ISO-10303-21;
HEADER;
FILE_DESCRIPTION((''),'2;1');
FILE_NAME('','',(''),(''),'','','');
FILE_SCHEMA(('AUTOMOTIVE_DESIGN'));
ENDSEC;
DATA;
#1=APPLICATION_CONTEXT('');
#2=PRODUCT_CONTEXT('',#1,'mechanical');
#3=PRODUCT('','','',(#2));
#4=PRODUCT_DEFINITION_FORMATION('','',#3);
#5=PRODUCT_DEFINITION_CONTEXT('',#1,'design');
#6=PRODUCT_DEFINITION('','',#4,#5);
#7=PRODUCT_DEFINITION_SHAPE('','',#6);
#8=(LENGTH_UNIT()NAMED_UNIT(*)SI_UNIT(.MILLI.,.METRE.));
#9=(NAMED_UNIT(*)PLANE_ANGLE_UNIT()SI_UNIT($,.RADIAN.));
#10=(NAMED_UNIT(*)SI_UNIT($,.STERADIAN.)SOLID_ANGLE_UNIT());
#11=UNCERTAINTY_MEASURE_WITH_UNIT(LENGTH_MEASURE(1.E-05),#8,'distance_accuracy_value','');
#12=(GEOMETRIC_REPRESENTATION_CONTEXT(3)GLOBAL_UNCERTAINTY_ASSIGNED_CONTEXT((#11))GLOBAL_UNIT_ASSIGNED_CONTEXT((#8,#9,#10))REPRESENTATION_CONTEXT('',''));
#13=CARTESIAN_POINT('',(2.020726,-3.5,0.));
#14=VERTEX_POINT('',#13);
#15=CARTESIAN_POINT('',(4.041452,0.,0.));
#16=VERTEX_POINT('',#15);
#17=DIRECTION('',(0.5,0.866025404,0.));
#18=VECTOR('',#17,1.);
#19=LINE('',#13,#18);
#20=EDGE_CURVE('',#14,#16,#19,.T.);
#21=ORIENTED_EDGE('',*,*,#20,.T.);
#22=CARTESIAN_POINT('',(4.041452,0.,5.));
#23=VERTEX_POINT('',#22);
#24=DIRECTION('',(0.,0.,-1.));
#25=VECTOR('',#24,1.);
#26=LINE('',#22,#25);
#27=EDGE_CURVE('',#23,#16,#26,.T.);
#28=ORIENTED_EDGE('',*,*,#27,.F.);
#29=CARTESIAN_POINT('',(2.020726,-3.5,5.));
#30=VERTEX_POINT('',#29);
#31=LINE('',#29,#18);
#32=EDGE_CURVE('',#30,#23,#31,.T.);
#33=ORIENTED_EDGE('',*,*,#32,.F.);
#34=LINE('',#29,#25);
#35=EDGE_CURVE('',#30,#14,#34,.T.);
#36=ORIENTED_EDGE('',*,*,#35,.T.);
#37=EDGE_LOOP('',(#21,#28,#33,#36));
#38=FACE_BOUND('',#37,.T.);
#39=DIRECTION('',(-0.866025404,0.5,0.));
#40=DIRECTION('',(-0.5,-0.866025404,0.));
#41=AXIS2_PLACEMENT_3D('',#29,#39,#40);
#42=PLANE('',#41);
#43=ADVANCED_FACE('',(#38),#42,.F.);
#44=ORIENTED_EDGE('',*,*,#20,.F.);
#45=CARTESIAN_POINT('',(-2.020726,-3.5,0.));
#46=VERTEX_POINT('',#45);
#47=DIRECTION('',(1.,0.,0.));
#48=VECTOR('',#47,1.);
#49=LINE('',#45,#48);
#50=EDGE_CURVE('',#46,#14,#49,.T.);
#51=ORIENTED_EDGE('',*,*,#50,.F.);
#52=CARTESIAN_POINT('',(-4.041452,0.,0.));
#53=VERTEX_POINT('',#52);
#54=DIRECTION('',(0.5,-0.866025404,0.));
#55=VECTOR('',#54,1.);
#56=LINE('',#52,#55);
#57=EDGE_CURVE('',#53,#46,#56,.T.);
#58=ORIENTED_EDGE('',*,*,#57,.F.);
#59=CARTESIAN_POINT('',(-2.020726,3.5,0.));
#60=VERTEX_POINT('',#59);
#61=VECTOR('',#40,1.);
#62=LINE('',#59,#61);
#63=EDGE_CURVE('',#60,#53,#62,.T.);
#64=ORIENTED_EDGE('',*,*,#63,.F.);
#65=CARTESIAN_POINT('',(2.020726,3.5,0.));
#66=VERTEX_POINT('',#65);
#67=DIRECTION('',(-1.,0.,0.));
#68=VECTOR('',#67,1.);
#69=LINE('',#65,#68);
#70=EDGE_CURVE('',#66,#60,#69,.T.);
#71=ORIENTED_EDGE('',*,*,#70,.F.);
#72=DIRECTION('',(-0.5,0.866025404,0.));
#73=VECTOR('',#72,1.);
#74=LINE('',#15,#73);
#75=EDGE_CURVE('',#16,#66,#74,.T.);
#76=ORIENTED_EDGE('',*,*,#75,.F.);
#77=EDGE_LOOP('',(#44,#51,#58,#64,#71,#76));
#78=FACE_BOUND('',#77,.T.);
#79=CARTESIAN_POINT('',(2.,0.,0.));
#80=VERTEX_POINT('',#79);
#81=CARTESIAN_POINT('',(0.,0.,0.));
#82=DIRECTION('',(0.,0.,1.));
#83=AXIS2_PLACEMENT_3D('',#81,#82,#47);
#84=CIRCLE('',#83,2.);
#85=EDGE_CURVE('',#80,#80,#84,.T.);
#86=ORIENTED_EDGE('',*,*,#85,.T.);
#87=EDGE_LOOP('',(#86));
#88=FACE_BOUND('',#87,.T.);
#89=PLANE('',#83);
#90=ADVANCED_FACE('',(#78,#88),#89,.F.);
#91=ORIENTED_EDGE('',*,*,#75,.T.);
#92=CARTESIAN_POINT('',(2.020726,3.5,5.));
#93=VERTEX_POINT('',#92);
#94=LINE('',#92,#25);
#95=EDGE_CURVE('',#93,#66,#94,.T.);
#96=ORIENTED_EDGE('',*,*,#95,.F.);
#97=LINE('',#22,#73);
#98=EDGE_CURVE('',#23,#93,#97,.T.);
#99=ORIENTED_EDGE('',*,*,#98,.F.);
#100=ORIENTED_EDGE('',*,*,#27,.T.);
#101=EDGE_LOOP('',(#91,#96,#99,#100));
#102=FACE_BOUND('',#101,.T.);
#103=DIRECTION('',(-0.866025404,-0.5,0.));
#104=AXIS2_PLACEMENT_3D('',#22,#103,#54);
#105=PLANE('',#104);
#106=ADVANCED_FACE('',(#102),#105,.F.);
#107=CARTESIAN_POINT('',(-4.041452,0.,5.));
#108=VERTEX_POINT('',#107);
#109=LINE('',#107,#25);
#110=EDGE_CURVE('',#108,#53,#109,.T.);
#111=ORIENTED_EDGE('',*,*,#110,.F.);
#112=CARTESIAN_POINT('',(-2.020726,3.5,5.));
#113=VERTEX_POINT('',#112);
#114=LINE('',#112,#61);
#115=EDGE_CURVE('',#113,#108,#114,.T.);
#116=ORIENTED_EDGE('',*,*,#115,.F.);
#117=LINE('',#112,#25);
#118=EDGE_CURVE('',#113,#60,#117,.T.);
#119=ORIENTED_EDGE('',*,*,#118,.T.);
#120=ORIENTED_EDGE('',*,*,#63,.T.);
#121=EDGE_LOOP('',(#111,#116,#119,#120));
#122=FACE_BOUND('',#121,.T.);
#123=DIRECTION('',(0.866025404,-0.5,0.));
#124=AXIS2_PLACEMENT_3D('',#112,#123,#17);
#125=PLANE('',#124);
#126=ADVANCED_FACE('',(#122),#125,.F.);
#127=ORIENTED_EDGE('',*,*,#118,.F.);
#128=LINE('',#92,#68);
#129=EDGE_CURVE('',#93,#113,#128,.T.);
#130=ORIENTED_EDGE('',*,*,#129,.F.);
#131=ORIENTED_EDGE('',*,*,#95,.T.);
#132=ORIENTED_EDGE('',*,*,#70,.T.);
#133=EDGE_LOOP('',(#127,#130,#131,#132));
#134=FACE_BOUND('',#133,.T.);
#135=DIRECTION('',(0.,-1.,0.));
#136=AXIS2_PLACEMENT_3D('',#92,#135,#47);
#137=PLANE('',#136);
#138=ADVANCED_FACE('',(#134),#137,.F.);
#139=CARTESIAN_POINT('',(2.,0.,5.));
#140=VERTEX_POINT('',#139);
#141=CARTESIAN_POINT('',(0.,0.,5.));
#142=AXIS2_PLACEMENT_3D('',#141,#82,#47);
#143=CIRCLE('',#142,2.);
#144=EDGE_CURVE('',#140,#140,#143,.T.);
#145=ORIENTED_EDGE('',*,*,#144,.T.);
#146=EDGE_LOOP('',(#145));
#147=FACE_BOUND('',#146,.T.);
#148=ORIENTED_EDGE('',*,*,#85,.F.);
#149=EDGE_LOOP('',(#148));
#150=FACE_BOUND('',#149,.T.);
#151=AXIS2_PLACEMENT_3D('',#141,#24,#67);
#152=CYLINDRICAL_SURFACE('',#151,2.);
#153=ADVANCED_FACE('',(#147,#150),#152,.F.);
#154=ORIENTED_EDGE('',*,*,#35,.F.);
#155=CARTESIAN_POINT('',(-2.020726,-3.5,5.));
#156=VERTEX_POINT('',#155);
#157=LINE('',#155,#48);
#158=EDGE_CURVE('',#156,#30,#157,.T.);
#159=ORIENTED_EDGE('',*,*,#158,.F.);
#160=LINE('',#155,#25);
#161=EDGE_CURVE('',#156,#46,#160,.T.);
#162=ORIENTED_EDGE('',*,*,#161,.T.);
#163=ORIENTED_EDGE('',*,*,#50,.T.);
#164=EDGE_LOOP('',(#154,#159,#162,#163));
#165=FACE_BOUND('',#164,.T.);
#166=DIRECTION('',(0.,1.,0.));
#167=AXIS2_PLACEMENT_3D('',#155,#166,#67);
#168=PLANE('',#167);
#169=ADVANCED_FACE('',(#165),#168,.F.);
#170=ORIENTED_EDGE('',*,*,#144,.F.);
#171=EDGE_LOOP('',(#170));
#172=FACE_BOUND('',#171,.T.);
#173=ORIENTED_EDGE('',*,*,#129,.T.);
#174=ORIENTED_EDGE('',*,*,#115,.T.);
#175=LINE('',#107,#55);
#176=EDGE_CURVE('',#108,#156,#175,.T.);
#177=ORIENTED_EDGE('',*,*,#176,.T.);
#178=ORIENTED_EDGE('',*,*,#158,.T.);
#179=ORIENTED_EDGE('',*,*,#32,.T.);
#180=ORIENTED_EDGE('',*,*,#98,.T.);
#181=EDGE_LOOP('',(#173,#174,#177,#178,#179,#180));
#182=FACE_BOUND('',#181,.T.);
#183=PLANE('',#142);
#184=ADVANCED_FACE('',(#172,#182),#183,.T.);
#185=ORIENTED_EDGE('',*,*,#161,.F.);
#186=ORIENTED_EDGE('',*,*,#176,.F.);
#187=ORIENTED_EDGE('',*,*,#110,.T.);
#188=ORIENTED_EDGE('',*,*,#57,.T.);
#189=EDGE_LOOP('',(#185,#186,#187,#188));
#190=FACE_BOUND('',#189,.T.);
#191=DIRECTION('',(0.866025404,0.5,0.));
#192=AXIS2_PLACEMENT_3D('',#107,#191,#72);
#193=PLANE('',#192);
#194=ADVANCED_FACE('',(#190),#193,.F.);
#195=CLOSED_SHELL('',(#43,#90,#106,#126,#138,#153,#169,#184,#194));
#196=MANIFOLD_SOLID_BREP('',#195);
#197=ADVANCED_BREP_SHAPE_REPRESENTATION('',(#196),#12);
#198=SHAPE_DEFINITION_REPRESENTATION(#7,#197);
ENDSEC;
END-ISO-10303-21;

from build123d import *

# Parameters (mm, degrees)
SKETCH1_R                           = 2
LOCKNUT_CONSERVATIVE_ENVELOPE_DEPTH = 5


with BuildPart() as part:
    # Sketch1 → Locknut_Conservative_Envelope (new body)
    with BuildSketch(Plane.XY):
        Polygon((4.041451884, 0), (2.020725942, 3.5), (-2.020725942, 3.5), (-4.041451884, 0), (-2.020725942, -3.5), (2.020725942, -3.5), align=None)
        Circle(SKETCH1_R, mode=Mode.SUBTRACT)
    extrude(amount=LOCKNUT_CONSERVATIVE_ENVELOPE_DEPTH)


solid = part.part
